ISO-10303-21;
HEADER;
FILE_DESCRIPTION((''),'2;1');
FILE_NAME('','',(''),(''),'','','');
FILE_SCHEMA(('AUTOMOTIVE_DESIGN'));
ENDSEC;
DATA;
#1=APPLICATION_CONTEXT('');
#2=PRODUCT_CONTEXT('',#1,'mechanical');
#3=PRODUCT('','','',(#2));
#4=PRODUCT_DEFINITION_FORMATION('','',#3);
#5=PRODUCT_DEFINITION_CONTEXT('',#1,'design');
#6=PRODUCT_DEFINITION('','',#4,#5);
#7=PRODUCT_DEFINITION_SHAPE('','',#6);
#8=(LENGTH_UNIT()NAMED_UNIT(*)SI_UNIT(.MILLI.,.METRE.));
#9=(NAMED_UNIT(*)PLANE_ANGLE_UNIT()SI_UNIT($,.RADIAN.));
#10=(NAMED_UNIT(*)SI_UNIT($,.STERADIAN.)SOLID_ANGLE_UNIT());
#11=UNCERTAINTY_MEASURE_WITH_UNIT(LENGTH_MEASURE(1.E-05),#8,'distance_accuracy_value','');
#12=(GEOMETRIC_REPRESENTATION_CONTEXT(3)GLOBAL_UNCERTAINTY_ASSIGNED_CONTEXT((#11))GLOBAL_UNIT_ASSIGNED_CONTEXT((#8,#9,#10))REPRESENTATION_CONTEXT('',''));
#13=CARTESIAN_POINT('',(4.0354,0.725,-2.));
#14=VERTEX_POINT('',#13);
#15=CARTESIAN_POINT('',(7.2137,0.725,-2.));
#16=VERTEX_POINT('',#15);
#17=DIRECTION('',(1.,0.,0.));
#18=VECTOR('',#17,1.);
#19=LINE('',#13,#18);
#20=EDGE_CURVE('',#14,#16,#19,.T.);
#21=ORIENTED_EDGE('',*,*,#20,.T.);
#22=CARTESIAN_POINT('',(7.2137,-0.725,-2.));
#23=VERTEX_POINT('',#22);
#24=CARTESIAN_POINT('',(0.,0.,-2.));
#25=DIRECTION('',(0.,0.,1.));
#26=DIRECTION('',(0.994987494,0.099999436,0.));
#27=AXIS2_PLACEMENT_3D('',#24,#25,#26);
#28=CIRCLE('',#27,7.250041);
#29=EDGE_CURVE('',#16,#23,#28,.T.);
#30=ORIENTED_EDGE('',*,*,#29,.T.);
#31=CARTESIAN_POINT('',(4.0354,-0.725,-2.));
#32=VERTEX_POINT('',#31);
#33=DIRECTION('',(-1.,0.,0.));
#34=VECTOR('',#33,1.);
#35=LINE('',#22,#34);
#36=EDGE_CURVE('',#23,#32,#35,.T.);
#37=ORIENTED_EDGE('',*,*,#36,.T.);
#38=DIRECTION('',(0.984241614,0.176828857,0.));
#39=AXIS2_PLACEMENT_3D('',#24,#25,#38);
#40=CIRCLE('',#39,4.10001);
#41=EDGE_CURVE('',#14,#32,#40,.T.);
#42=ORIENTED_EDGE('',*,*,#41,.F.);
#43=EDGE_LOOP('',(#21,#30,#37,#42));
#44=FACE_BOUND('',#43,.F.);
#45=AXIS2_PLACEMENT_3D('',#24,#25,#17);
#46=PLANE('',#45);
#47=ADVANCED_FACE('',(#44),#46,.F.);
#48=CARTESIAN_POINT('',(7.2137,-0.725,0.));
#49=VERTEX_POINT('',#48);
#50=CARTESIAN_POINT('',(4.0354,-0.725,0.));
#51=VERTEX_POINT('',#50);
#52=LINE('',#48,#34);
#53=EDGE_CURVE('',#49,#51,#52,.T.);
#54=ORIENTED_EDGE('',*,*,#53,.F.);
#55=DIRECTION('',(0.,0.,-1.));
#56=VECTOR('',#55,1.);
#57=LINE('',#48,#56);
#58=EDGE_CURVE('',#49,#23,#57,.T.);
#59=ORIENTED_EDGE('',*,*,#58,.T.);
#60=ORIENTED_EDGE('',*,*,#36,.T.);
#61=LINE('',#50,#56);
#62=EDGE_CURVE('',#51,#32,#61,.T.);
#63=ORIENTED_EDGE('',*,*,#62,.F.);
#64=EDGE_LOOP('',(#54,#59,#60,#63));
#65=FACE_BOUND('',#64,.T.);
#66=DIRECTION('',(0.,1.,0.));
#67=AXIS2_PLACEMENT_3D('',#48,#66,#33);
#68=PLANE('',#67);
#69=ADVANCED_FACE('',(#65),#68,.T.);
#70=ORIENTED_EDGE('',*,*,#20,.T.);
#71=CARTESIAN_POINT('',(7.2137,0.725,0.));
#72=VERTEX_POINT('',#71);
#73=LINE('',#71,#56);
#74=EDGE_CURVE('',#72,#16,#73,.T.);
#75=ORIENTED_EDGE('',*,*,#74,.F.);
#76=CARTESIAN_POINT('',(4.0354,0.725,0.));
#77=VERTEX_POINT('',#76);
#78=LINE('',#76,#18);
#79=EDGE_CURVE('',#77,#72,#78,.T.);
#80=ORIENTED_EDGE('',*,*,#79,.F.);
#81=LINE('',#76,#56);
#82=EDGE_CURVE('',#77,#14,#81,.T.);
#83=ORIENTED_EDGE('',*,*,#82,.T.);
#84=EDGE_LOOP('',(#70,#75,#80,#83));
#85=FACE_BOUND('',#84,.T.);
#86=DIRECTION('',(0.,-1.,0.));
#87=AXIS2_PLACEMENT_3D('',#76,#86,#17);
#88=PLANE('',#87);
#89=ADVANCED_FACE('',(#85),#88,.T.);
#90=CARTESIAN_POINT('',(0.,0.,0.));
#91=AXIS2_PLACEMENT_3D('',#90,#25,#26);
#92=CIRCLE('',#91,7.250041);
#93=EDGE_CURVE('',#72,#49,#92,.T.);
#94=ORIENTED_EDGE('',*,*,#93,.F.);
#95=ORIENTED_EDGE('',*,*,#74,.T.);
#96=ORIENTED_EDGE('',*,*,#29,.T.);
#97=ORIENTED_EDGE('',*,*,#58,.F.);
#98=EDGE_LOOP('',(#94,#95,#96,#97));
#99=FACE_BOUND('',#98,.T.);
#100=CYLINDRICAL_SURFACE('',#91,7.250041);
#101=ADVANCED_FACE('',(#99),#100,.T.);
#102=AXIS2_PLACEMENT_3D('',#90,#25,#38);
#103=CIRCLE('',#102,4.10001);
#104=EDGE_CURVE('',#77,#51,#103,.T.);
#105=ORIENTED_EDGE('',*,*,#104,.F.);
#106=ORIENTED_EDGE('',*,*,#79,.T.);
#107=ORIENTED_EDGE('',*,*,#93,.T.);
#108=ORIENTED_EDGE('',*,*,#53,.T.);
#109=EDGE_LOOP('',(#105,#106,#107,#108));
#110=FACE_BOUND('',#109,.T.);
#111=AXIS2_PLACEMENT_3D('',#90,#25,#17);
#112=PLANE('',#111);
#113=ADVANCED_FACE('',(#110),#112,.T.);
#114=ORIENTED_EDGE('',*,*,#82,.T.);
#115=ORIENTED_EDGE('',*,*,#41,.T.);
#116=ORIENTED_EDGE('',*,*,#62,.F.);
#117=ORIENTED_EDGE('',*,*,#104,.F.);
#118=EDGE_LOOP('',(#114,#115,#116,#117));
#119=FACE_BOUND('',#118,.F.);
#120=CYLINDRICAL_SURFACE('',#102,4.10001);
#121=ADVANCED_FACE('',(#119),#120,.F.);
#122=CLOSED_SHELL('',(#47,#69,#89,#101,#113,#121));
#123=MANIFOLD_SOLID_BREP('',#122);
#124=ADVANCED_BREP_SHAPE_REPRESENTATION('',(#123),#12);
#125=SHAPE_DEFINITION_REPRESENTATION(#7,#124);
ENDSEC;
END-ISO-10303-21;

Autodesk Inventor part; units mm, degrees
sketch "Sketch_1" plane through (0, 0, 0) normal (0, 0, 1) x (1, 0, 0)
  arc A0 (7.2137, 0.725) -> (7.2137, -0.725) centre (0, 0) ccw
  line L0 (7.2137, -0.725) -> (4.0354, -0.725)
  arc A1 (4.0354, 0.725) -> (4.0354, -0.725) centre (0, 0) ccw
  line L1 (4.0354, 0.725) -> (7.2137, 0.725)
extrude "Extrusion1" add sketch "Sketch_1" against normal blind 2
ref_plane "spring_washer_to_bolt_XY" through (0, 0, 0) normal (0, 0, 1) x (1, 0, 0)
ref_plane "spring_washer_to_bolt_YZ" through (0, 0, 0) normal (1, 0, 0) x (0, 1, 0)
ref_plane "spring_washer_to_bolt_ZX" through (0, 0, 0) normal (0, 1, 0) x (0, 0, 1)
ref_plane "spring_washer_to_washer_XY" through (0, 0, -2) normal (0, 0, 1) x (1, 0, 0)
ref_plane "spring_washer_to_washer_YZ" through (0, 0, -2) normal (1, 0, 0) x (0, 1, 0)
ref_plane "spring_washer_to_washer_ZX" through (0, 0, -2) normal (0, 1, 0) x (0, 0, 1)
properties part number "HCBST8_w1"
